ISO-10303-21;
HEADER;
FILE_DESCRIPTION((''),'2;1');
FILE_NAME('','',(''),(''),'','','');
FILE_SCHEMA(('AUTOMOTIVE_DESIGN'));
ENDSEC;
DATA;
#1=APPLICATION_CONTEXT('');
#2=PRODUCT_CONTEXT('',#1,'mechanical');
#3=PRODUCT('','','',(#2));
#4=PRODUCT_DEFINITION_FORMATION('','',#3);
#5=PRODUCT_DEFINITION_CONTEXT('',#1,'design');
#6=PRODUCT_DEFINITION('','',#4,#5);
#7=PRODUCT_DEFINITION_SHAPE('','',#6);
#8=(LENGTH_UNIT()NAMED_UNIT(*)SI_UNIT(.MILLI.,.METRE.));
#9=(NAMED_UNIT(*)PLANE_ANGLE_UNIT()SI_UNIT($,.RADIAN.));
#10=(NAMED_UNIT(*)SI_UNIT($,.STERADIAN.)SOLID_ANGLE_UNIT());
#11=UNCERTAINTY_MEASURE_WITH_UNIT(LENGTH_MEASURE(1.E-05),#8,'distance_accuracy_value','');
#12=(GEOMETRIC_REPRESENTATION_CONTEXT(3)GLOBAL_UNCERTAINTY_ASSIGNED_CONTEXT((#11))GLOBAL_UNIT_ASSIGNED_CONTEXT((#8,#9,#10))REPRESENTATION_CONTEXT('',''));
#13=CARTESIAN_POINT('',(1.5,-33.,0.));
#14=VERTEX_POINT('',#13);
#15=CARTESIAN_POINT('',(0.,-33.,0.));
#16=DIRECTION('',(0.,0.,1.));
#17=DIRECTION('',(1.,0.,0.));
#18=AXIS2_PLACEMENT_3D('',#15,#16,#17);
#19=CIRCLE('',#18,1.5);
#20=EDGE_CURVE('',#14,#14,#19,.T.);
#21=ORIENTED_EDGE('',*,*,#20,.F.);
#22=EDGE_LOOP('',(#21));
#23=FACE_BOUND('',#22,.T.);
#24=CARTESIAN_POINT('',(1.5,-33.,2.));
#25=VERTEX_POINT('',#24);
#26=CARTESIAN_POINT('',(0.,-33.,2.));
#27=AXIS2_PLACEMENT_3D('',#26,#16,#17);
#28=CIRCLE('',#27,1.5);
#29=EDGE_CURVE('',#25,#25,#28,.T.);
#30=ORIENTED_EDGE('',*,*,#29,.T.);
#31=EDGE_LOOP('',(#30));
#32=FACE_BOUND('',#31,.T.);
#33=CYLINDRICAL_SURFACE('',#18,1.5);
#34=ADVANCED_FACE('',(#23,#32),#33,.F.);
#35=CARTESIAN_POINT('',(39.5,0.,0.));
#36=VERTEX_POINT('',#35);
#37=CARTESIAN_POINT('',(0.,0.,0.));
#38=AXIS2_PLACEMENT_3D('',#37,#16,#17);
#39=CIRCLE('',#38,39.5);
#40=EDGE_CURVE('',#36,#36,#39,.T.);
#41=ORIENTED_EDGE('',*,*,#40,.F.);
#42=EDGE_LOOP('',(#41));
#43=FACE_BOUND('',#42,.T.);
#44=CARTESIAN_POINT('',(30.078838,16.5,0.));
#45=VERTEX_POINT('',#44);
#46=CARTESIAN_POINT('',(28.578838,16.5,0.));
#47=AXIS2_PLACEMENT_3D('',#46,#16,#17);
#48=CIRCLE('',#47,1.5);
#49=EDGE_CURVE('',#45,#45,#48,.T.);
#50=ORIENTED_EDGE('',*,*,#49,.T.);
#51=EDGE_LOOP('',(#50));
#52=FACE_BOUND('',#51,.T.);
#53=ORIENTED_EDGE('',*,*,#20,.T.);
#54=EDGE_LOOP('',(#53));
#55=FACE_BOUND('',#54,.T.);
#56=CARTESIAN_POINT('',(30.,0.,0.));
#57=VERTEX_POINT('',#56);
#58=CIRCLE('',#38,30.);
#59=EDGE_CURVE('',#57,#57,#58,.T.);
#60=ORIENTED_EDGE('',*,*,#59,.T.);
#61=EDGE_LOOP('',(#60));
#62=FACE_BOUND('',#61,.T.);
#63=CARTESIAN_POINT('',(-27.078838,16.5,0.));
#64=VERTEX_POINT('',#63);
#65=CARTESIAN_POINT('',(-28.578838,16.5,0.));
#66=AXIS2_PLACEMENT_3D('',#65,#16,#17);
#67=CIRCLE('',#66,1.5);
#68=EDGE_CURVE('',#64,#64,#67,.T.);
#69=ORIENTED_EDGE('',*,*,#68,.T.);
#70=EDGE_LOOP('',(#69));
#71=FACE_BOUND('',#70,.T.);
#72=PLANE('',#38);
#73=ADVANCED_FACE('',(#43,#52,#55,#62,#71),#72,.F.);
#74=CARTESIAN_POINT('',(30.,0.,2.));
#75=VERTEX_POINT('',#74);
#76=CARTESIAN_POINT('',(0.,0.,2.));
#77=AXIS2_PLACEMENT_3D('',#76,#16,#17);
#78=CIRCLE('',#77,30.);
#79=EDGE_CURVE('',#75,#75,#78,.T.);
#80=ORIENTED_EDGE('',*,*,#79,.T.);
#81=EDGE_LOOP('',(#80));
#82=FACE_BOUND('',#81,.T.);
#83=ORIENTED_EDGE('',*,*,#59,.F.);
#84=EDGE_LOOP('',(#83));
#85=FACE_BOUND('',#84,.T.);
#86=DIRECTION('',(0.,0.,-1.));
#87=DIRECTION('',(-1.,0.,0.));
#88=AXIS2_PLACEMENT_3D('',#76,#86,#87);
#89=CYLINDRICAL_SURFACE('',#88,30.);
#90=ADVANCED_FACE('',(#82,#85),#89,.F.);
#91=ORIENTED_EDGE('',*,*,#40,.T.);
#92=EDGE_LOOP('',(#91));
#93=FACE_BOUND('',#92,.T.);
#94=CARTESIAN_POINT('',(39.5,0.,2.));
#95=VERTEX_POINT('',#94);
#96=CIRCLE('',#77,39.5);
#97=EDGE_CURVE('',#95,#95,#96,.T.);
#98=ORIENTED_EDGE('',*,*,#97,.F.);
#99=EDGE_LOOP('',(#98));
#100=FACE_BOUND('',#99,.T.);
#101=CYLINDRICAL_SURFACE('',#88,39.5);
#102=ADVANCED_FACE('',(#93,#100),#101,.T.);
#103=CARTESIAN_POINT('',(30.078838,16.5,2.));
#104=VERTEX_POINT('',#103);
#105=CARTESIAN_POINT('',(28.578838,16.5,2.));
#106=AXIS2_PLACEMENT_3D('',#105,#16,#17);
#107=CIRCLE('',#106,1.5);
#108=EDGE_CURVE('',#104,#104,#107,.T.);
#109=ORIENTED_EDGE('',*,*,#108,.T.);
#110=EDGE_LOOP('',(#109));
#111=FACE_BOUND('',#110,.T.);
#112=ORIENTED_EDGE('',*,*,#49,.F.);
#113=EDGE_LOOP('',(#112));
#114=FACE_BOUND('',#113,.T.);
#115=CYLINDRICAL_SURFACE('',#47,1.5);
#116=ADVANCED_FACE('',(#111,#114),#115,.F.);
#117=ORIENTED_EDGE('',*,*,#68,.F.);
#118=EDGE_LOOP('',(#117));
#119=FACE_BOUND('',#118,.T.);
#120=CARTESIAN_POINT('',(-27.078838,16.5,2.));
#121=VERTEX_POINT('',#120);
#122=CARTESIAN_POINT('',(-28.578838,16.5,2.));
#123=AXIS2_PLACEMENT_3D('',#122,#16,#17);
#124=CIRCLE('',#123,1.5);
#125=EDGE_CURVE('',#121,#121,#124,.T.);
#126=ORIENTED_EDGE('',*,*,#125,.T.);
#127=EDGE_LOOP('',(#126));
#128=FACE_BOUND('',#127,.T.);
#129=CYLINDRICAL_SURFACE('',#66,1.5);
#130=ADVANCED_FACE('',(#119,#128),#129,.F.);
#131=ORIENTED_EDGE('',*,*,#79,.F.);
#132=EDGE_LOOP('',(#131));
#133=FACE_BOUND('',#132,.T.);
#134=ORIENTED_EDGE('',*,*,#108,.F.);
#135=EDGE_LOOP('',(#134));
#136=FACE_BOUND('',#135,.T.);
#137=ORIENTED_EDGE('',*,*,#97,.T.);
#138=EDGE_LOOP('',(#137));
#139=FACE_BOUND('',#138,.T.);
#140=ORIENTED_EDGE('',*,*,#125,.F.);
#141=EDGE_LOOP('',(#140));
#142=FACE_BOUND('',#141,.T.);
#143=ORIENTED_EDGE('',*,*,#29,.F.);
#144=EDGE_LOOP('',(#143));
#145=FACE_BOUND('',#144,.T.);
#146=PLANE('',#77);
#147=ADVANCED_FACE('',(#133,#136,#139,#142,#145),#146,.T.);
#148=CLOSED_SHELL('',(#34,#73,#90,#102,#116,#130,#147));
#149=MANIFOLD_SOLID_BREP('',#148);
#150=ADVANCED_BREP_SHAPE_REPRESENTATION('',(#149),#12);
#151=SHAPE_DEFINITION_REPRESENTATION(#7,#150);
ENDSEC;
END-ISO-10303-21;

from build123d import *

# Parameters (mm, degrees)
SKETCH_1_R          = 39.5
SKETCH_1_R_2        = 30
EXTRUDE_1_DEPTH     = 2
SKETCH_2_R          = 1.5
CUT_EXTRUDE_1_DEPTH = 2


with BuildPart() as part:
    # 草图1 → 凸台-拉伸1 (new body)
    with BuildSketch(Plane.XY):
        Circle(SKETCH_1_R)
        Circle(SKETCH_1_R_2, mode=Mode.SUBTRACT)
    extrude(amount=EXTRUDE_1_DEPTH)

    # 草图2 → 切除-拉伸1 (cut)
    with BuildSketch(Plane.XY.offset(2)):
        with Locations((0, -33)):
            Circle(SKETCH_2_R)
        with Locations((-28.578838325, 16.5)):
            Circle(SKETCH_2_R)
        with Locations((28.578838325, 16.5)):
            Circle(SKETCH_2_R)
    extrude(amount=-CUT_EXTRUDE_1_DEPTH, mode=Mode.SUBTRACT)


solid = part.part
